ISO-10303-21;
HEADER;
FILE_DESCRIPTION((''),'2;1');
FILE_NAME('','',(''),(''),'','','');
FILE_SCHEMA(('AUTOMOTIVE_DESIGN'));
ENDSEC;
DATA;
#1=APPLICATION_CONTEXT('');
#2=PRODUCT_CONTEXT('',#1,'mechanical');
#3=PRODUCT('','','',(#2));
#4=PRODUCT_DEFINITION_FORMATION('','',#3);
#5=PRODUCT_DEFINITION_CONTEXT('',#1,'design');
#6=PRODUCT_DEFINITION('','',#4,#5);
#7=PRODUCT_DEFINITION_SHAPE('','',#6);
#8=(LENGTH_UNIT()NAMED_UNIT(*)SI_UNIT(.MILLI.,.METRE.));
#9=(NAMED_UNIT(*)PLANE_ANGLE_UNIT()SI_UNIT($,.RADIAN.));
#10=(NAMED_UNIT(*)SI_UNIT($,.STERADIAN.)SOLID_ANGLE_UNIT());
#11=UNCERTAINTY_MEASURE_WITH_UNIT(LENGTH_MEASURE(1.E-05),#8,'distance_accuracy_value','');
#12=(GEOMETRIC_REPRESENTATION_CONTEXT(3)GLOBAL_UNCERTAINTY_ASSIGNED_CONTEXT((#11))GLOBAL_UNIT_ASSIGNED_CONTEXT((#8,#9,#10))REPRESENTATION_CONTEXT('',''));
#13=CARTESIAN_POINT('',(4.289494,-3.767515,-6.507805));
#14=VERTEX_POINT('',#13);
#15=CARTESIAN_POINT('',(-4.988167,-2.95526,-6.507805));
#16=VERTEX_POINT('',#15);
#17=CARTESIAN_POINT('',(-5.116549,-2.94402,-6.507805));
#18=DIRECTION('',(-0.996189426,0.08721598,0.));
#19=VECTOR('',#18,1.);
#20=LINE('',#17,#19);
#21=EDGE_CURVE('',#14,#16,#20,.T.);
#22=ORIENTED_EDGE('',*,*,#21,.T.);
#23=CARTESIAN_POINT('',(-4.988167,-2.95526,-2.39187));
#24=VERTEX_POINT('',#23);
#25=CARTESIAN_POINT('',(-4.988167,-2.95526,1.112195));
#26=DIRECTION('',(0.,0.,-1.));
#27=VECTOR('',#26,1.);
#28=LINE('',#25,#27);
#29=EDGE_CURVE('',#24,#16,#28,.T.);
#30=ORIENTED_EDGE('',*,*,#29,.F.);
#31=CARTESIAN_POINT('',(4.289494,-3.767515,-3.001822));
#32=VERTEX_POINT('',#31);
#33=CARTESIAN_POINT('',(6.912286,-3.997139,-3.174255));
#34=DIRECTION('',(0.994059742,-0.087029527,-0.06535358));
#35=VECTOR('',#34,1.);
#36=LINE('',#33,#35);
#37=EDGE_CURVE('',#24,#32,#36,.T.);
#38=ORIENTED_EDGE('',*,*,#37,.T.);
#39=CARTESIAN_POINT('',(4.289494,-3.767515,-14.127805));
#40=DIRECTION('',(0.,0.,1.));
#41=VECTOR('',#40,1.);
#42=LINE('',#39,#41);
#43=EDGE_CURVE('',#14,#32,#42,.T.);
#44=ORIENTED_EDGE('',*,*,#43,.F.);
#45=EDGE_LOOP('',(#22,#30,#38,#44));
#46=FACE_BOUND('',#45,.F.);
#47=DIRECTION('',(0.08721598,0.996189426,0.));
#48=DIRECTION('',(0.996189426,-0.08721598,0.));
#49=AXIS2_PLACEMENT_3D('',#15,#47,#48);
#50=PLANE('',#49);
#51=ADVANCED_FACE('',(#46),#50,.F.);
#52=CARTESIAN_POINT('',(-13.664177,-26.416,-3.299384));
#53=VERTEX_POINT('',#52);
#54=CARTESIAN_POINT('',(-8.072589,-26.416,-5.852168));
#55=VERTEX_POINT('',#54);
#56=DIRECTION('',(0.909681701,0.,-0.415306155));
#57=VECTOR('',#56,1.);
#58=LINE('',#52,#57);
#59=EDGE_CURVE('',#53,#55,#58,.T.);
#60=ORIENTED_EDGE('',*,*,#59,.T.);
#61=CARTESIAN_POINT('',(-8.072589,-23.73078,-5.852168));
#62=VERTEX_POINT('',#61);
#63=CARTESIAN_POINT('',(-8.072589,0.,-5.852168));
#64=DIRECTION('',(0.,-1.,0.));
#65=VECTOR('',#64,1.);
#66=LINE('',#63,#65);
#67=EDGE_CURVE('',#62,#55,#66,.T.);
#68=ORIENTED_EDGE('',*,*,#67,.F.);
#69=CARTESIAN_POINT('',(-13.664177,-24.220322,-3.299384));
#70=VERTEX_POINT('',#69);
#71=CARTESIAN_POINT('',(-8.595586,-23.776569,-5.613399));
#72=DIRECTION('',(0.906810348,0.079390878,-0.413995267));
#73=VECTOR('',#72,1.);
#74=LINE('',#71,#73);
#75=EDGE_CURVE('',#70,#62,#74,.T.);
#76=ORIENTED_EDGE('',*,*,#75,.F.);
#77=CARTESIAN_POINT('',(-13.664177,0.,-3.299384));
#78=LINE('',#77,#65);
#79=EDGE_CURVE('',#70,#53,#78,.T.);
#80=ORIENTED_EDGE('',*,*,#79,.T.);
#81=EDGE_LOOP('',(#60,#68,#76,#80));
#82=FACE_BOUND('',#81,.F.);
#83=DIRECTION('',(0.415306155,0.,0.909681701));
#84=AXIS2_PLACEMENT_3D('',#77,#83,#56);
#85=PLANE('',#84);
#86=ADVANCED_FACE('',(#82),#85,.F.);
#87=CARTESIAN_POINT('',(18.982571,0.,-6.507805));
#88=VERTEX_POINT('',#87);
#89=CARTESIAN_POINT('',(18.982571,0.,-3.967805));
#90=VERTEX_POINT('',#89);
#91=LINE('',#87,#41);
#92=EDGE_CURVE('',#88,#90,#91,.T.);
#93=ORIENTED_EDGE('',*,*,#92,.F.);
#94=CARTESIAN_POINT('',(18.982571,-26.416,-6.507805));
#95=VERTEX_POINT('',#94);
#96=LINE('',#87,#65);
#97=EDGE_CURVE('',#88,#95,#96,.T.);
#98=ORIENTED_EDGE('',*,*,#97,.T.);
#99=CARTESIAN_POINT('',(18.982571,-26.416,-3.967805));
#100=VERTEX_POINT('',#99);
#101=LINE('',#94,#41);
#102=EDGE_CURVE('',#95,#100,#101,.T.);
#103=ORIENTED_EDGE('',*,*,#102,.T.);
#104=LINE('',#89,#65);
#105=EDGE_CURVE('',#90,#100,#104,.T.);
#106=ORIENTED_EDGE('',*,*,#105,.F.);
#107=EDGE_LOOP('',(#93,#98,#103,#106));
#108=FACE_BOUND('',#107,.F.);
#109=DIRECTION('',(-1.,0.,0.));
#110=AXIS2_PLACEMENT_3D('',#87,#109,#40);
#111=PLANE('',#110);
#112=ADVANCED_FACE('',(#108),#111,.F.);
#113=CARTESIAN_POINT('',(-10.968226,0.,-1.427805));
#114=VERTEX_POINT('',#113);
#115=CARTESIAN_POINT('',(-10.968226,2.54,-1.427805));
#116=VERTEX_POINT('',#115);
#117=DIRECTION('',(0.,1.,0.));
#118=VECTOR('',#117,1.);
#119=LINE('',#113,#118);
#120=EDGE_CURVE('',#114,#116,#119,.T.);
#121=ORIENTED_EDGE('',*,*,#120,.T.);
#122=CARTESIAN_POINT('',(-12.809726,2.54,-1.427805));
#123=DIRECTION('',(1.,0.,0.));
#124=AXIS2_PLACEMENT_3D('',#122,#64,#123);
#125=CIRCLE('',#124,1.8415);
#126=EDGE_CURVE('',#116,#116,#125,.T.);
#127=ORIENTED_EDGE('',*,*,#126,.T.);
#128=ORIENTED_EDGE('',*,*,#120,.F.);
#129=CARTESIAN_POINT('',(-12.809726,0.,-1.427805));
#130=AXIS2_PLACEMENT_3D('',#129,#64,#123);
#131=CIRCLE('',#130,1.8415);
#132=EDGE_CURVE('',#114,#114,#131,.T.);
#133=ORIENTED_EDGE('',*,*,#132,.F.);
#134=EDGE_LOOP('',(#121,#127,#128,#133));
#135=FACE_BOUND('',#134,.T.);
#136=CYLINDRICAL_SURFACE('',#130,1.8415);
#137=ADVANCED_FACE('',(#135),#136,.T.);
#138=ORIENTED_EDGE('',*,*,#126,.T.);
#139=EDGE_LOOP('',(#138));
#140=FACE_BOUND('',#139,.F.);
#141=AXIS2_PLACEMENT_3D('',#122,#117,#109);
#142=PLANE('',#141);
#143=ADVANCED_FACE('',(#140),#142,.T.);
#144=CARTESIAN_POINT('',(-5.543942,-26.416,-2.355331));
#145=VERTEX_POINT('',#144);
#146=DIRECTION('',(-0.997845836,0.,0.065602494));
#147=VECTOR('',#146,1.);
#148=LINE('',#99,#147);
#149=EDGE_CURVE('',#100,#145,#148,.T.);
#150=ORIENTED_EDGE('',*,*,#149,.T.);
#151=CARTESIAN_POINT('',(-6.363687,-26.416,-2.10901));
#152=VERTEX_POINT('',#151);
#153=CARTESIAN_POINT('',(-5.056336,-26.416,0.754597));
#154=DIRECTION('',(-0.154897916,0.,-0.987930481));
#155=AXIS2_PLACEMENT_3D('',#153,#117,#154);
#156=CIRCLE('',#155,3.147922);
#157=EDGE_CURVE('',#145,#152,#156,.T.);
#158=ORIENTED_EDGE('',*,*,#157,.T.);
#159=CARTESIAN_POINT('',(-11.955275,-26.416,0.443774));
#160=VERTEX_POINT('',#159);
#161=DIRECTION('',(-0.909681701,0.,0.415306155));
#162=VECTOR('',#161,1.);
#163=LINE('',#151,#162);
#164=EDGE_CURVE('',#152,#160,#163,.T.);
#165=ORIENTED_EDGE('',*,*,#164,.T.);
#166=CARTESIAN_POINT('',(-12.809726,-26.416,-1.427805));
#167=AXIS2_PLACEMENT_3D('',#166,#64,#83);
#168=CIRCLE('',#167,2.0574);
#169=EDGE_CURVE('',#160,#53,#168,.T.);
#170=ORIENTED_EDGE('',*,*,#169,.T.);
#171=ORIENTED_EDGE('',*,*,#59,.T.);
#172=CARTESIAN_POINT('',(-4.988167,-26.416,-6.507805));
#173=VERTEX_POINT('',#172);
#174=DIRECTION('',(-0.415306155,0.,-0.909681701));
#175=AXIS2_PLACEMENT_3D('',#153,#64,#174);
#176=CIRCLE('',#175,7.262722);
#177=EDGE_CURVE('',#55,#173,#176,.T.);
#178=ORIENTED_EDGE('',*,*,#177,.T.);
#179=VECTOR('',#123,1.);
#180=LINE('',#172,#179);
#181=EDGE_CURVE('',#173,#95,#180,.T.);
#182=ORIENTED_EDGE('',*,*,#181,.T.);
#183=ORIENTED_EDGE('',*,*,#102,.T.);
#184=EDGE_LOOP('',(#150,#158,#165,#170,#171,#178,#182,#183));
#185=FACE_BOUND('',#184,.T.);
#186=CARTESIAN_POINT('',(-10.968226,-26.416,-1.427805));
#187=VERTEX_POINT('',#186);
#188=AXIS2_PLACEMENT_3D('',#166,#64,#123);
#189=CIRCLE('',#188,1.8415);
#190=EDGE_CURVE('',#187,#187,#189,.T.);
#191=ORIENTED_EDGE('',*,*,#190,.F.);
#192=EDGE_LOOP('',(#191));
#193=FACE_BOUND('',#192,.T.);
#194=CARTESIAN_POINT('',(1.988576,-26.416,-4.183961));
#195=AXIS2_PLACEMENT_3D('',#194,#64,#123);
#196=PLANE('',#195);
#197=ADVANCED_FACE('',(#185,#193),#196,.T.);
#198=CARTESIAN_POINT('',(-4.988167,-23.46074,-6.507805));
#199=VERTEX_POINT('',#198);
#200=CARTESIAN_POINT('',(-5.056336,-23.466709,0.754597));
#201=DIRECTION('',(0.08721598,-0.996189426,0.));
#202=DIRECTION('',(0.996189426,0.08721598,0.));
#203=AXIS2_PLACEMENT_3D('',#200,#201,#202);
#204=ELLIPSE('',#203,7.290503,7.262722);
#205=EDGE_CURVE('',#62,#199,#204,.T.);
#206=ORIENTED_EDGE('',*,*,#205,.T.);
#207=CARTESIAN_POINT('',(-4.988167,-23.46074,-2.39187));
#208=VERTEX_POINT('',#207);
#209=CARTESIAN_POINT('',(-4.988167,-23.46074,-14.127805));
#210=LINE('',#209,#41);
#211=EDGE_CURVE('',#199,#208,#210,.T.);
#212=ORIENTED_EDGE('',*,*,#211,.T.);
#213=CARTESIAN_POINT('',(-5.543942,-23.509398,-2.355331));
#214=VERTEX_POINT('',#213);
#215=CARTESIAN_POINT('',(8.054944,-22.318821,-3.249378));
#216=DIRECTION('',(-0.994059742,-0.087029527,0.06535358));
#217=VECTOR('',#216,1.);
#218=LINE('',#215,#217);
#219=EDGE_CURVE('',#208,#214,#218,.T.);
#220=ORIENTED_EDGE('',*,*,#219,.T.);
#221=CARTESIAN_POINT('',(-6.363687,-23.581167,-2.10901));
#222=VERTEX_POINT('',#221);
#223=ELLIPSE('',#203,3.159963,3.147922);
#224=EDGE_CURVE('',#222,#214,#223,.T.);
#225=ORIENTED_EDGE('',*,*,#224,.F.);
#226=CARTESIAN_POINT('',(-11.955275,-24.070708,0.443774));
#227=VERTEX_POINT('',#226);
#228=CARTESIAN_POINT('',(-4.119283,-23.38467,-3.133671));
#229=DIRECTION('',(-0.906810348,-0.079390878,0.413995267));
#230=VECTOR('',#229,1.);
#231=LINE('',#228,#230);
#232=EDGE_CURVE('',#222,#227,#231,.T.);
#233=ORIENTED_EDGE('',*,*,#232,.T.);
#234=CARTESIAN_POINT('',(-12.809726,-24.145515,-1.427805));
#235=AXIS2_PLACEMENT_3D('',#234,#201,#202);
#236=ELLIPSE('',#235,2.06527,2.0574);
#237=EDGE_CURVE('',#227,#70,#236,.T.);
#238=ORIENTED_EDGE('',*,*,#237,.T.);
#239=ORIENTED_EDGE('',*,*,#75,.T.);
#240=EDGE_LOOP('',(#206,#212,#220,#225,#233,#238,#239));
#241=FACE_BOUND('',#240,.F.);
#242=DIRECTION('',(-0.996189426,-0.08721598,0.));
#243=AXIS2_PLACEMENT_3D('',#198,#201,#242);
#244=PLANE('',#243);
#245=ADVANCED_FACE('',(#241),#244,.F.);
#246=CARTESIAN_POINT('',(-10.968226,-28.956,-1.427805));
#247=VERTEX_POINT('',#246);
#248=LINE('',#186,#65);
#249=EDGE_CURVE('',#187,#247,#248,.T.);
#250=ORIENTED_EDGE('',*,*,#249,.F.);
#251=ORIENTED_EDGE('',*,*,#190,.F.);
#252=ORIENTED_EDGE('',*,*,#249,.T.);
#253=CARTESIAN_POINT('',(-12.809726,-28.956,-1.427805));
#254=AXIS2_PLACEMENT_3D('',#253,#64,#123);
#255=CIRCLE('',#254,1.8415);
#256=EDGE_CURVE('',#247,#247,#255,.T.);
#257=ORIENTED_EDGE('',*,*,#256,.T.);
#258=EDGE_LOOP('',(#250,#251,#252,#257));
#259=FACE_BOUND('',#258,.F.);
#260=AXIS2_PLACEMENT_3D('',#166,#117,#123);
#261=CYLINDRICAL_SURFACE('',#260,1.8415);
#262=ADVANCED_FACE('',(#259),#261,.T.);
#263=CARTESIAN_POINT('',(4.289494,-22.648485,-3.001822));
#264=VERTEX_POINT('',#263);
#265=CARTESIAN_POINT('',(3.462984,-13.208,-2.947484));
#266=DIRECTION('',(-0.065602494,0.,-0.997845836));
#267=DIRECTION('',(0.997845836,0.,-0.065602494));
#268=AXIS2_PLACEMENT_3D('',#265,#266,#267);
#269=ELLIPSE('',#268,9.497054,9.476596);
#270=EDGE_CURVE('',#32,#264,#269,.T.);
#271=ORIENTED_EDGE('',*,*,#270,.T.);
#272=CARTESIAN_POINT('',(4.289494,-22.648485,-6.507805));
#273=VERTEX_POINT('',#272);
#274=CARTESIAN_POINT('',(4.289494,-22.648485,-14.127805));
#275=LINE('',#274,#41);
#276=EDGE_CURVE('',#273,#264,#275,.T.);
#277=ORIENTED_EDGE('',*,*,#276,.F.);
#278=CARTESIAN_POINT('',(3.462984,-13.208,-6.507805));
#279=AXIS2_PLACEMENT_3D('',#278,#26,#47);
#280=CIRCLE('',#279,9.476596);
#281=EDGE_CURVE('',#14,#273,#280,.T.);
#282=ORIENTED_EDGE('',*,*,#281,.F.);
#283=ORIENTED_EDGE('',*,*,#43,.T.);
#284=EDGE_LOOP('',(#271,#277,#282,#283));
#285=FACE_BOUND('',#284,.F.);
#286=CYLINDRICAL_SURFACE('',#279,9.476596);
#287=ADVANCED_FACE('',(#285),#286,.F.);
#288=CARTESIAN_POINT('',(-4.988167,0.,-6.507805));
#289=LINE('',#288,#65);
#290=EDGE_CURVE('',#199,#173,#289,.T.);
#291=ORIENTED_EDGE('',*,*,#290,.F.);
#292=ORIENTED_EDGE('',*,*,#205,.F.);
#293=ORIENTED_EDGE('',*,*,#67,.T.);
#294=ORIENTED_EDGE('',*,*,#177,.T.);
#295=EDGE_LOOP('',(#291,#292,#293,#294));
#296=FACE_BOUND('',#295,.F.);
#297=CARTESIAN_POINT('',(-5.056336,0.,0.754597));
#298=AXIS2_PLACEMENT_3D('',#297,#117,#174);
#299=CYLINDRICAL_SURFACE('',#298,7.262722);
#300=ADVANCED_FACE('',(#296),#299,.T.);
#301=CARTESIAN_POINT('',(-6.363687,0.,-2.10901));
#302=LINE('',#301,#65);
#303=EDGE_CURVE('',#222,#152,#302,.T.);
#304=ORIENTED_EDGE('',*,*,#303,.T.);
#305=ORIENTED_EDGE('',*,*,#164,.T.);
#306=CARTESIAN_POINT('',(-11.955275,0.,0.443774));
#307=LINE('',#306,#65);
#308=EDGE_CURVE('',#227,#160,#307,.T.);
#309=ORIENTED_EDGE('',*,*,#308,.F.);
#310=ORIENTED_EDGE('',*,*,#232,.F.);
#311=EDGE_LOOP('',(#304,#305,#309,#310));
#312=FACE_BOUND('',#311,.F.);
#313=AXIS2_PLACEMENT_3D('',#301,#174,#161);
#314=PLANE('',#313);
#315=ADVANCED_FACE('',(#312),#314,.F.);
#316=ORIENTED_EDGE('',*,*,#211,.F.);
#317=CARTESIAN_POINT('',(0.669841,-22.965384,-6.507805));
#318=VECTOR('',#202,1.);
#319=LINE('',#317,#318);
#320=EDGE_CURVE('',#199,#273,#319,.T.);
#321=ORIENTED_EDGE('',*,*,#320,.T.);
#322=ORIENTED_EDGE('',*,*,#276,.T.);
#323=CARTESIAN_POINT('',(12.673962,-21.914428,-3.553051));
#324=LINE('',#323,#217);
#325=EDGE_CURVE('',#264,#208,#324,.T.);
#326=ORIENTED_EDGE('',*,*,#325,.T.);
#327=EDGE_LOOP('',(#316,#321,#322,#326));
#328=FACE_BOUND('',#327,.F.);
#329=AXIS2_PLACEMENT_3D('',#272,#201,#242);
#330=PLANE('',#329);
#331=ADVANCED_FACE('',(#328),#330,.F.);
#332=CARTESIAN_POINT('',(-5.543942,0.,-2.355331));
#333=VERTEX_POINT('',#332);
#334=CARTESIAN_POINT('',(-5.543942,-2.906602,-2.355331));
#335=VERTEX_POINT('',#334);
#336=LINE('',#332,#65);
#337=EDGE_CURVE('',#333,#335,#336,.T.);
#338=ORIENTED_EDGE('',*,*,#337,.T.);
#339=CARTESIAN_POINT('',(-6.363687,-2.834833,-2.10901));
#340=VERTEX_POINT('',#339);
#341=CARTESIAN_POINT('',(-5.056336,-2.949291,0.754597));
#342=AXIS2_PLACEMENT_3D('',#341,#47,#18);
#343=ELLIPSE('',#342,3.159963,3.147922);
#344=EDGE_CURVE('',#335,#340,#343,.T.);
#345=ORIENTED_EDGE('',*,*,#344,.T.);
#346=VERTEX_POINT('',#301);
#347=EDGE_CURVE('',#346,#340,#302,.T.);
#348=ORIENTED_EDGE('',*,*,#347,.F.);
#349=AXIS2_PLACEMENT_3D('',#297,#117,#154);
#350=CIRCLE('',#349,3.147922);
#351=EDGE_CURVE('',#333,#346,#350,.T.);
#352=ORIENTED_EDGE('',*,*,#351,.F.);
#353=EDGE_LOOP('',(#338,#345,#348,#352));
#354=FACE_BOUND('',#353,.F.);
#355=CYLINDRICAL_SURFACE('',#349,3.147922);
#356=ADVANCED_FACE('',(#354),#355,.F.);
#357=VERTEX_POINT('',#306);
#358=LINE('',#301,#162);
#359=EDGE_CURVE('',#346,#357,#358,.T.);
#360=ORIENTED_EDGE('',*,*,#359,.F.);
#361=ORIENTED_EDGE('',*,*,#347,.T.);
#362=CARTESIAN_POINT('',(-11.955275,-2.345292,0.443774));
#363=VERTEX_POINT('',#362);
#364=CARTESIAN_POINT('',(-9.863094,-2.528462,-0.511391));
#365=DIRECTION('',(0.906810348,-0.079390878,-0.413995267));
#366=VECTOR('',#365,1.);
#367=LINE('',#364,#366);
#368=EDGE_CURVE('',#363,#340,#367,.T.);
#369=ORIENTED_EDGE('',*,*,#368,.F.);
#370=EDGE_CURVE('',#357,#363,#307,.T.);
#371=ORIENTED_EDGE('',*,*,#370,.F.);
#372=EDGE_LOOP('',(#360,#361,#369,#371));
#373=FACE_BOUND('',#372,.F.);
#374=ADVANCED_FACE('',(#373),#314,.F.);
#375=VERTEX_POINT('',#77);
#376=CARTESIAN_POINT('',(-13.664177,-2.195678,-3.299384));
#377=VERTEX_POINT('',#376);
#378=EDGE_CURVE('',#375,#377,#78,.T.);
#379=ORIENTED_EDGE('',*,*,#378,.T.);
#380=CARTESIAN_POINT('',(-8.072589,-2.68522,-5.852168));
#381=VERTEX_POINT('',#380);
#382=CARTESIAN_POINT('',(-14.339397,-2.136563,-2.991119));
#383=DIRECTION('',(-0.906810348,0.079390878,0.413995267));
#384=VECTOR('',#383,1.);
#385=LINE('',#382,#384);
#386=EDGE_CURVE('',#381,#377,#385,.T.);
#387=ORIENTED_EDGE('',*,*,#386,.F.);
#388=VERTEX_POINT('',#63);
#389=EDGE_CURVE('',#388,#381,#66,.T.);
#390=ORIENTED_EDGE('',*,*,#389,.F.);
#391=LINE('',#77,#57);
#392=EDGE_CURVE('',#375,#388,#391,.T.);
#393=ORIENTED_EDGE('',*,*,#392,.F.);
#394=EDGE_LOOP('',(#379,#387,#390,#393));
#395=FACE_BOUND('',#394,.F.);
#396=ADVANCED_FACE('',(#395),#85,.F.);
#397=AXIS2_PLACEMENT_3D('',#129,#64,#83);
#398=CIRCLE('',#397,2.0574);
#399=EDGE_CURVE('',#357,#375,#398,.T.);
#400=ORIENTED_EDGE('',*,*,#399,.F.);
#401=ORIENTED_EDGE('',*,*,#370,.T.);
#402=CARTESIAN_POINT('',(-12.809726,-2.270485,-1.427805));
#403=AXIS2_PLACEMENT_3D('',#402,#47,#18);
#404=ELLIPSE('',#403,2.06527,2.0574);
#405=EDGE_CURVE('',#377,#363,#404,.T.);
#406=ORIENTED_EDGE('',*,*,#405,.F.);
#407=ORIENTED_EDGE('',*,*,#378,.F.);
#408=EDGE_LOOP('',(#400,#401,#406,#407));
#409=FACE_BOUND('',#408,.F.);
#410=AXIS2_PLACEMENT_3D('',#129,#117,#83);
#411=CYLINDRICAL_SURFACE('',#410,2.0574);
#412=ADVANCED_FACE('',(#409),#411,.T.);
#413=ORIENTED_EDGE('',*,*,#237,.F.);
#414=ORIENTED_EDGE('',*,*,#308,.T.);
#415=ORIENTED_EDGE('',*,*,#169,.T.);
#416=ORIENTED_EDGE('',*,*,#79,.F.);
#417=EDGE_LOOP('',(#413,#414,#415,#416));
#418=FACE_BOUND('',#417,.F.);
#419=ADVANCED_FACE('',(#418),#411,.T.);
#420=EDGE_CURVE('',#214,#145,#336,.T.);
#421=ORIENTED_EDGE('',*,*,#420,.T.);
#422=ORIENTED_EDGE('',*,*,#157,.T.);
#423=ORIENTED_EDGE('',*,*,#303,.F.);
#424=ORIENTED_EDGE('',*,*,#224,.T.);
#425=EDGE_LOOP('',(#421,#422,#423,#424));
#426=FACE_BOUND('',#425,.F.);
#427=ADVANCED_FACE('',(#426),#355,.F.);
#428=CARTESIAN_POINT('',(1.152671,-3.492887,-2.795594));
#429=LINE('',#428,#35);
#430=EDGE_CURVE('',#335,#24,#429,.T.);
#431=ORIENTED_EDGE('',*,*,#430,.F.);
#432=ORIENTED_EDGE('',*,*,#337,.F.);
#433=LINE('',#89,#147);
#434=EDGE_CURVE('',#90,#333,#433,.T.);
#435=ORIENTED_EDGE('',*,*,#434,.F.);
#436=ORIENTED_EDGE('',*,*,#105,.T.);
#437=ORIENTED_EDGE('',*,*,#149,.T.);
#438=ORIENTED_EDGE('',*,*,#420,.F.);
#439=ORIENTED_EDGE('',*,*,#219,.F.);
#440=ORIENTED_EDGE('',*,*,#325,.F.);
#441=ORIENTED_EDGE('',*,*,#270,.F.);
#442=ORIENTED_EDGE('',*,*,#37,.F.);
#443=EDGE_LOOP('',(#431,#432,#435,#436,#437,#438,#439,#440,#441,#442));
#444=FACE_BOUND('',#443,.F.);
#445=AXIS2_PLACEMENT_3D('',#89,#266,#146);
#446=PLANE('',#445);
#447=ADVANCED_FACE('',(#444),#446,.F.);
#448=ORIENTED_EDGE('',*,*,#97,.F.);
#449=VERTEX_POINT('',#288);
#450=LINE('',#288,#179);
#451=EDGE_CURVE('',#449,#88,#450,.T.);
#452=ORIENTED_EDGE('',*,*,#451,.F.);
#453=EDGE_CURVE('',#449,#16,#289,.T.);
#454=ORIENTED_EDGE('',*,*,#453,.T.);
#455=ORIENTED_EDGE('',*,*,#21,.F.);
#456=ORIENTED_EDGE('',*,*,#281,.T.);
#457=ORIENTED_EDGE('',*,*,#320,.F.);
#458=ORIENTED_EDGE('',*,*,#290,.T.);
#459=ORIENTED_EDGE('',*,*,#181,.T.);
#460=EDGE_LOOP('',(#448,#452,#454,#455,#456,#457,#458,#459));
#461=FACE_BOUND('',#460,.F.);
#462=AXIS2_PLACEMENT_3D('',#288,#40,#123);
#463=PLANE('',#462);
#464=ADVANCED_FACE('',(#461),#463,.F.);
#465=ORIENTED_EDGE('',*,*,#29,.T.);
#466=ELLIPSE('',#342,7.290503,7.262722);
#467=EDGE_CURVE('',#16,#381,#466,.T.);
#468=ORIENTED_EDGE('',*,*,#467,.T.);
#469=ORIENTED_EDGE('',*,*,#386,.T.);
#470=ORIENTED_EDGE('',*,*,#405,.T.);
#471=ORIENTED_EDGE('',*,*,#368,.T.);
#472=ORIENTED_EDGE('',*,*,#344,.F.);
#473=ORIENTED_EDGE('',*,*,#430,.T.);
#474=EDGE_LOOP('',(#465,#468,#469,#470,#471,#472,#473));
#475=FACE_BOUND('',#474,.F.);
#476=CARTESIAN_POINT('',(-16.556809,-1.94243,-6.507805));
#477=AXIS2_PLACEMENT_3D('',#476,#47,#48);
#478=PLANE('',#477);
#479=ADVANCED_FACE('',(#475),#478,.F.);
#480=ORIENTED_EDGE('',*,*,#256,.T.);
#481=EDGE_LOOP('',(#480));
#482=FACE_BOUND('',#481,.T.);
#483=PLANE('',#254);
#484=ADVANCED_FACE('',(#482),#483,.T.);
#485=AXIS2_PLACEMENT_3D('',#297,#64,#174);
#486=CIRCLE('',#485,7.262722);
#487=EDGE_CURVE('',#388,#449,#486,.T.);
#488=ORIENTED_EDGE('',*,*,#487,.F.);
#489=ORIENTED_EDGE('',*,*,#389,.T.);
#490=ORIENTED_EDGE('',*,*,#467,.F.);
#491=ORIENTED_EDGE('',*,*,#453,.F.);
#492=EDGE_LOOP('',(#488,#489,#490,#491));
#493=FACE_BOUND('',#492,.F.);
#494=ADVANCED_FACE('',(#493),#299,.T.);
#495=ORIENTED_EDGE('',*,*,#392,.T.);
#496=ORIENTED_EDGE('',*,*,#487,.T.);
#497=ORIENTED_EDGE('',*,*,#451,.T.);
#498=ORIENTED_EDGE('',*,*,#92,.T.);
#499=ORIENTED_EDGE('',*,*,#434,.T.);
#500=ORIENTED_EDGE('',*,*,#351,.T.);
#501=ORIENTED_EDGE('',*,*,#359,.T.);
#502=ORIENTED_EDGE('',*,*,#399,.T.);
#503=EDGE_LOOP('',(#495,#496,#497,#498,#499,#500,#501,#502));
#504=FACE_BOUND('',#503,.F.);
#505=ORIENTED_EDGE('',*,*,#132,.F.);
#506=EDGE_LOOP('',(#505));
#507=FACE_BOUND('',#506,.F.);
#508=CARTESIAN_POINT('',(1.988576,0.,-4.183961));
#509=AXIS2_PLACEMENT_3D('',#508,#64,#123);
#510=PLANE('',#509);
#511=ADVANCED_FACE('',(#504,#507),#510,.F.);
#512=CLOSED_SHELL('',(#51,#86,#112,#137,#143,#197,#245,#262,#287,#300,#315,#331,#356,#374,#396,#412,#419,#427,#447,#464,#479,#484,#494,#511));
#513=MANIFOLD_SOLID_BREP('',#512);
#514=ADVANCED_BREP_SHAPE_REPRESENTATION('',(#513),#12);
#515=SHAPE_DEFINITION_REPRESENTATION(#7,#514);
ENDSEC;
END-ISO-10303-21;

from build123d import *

# Parameters (mm, degrees)
F1_DEPTH = 26.416
F2_R     = 1.8415
F3_DEPTH = 2.54
F7_DEPTH = 7.62


with BuildPart() as f1:
    # F0 (on Front) → F1 (new body)
    with BuildSketch(Plane.XZ):
        with BuildLine():
            Line((-4.9881667079, -6.5078052628), (18.9825711812, -6.5078052628))
            Line((18.9825711812, -6.5078052628), (18.9825711812, -3.9678052628))
            Line((18.9825711812, -3.9678052628), (-5.5439422008, -2.3553312877))
            ThreePointArc((-5.5439422008, -2.3553312877), (-5.9622258253, -2.2601628666), (-6.3636870308, -2.1090102306))
            Line((-6.3636870308, -2.1090102306), (-11.9552752015, 0.4437738695))
            ThreePointArc((-11.9552752015, 0.4437738695), (-14.6813052169, -0.5733543796), (-13.6641769678, -3.299384395))
            Line((-13.6641769678, -3.299384395), (-8.0725887971, -5.8521684951))
            ThreePointArc((-8.0725887971, -5.8521684951), (-6.5663902888, -6.3494066979), (-4.9881667079, -6.5078052628))
        make_face()
    extrude(amount=F1_DEPTH)

    # F2 (on face) → F3 (join)
    with BuildSketch(Plane.XZ.offset(26.416)):
        with Locations((-12.8097260847, -1.4278052628)):
            Circle(F2_R)
    extrude(amount=F3_DEPTH)

    # F5: F1 across plane


with BuildPart() as f1_1:
    add(f1.part)
    add(f1.part.mirror(Plane(origin=(1.3145173971, -13.208, -4.2776395972), x_dir=(1, 0, 0), z_dir=(0, 1, 0))))


with BuildPart() as f7:
    # F6 (on face) → F7 (new body, symmetric)
    with BuildSketch(Plane(origin=(0, 0, -6.5078052628), x_dir=(1, 0, 0), z_dir=(0, 0, -1))):
        Polygon((-4.9881667079, 23.4607403946), (-16.556808725, 24.4735703084), (-16.556808725, 1.9424296916), (-4.9881667079, 2.9552596054), align=None)
        with BuildLine():
            Line((4.2894943617, 22.648484933), (-4.9881667079, 23.4607403946))
            Line((-4.9881667079, 23.4607403946), (-4.9881667079, 2.9552596054))
            Line((-4.9881667079, 2.9552596054), (4.2894943617, 3.767515067))
            ThreePointArc((4.2894943617, 3.767515067), (12.9395799393, 13.208), (4.2894943617, 22.648484933))
        make_face()
    extrude(amount=F7_DEPTH, both=True)


with BuildPart() as f1_2:
    add(f1_1.part)

    # F8: cut F7
    add(f7.part, mode=Mode.SUBTRACT)


solid = f1_2.part
